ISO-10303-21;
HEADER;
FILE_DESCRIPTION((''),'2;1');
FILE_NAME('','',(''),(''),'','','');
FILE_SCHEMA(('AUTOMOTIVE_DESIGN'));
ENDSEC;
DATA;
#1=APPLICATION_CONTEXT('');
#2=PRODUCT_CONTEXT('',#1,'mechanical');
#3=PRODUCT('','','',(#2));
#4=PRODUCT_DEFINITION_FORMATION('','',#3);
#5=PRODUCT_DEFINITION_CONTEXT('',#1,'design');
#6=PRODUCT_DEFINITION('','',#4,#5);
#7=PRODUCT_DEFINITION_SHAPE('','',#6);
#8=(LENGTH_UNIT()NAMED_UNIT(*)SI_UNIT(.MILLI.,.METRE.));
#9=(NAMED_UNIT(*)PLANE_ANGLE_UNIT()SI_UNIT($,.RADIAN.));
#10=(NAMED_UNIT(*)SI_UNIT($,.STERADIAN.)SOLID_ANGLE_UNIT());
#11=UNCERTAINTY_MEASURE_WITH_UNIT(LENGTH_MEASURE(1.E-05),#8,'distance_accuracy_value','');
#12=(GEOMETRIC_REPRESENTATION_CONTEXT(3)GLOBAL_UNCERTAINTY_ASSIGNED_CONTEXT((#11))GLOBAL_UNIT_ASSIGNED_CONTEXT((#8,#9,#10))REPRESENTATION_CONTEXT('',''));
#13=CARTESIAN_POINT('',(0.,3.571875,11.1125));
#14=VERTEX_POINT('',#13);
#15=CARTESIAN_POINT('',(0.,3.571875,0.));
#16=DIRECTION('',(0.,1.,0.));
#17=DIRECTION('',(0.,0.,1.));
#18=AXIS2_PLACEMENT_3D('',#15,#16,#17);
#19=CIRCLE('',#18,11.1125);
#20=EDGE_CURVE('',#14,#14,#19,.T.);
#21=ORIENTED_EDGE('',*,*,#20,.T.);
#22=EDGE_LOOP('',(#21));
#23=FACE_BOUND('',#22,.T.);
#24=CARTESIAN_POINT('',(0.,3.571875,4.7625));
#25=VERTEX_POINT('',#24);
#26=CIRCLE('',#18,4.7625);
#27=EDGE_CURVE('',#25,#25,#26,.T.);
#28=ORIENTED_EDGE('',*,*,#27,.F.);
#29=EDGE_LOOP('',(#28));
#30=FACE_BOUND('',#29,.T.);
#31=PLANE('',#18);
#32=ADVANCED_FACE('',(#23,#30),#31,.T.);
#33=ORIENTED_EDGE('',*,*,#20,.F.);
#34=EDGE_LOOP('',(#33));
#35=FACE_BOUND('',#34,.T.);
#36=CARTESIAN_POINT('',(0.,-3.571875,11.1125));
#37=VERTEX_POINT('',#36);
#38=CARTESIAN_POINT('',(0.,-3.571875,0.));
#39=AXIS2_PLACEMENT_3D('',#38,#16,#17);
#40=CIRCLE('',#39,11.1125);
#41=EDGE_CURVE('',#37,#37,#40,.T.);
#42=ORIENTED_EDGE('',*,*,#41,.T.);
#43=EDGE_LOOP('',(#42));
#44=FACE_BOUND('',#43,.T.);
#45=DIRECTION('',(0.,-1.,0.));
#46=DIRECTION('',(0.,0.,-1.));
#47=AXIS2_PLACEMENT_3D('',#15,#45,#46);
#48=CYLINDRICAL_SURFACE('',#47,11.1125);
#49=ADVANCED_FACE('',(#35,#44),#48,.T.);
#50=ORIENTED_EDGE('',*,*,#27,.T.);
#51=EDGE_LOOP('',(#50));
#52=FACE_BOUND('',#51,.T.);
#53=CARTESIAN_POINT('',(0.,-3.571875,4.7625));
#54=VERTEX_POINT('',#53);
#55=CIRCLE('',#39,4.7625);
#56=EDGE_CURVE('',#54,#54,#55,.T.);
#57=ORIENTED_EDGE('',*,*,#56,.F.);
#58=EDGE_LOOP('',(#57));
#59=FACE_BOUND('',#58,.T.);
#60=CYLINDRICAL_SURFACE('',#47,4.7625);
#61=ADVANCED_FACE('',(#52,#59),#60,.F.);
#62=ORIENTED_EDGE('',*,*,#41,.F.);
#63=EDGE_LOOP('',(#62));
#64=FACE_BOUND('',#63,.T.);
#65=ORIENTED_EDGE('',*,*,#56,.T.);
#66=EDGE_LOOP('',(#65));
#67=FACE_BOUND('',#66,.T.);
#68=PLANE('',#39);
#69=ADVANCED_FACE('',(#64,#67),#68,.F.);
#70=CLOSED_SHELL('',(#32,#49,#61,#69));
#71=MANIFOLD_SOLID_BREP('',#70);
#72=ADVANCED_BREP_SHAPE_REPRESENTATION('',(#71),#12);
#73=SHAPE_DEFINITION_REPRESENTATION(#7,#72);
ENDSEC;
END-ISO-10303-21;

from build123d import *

# Parameters (mm, degrees)
SKETCH1_R           = 11.1125
SKETCH1_R_2         = 4.7625
BOSS_EXTRUDE1_DEPTH = 3.571875


with BuildPart() as part:
    # Sketch1 → Boss-Extrude1 (new body, symmetric)
    with BuildSketch(Plane(origin=(0, 0, 0), x_dir=(1, 0, 0), z_dir=(0, 1, 0))):
        Circle(SKETCH1_R)
        Circle(SKETCH1_R_2, mode=Mode.SUBTRACT)
    extrude(amount=BOSS_EXTRUDE1_DEPTH, both=True)


solid = part.part
